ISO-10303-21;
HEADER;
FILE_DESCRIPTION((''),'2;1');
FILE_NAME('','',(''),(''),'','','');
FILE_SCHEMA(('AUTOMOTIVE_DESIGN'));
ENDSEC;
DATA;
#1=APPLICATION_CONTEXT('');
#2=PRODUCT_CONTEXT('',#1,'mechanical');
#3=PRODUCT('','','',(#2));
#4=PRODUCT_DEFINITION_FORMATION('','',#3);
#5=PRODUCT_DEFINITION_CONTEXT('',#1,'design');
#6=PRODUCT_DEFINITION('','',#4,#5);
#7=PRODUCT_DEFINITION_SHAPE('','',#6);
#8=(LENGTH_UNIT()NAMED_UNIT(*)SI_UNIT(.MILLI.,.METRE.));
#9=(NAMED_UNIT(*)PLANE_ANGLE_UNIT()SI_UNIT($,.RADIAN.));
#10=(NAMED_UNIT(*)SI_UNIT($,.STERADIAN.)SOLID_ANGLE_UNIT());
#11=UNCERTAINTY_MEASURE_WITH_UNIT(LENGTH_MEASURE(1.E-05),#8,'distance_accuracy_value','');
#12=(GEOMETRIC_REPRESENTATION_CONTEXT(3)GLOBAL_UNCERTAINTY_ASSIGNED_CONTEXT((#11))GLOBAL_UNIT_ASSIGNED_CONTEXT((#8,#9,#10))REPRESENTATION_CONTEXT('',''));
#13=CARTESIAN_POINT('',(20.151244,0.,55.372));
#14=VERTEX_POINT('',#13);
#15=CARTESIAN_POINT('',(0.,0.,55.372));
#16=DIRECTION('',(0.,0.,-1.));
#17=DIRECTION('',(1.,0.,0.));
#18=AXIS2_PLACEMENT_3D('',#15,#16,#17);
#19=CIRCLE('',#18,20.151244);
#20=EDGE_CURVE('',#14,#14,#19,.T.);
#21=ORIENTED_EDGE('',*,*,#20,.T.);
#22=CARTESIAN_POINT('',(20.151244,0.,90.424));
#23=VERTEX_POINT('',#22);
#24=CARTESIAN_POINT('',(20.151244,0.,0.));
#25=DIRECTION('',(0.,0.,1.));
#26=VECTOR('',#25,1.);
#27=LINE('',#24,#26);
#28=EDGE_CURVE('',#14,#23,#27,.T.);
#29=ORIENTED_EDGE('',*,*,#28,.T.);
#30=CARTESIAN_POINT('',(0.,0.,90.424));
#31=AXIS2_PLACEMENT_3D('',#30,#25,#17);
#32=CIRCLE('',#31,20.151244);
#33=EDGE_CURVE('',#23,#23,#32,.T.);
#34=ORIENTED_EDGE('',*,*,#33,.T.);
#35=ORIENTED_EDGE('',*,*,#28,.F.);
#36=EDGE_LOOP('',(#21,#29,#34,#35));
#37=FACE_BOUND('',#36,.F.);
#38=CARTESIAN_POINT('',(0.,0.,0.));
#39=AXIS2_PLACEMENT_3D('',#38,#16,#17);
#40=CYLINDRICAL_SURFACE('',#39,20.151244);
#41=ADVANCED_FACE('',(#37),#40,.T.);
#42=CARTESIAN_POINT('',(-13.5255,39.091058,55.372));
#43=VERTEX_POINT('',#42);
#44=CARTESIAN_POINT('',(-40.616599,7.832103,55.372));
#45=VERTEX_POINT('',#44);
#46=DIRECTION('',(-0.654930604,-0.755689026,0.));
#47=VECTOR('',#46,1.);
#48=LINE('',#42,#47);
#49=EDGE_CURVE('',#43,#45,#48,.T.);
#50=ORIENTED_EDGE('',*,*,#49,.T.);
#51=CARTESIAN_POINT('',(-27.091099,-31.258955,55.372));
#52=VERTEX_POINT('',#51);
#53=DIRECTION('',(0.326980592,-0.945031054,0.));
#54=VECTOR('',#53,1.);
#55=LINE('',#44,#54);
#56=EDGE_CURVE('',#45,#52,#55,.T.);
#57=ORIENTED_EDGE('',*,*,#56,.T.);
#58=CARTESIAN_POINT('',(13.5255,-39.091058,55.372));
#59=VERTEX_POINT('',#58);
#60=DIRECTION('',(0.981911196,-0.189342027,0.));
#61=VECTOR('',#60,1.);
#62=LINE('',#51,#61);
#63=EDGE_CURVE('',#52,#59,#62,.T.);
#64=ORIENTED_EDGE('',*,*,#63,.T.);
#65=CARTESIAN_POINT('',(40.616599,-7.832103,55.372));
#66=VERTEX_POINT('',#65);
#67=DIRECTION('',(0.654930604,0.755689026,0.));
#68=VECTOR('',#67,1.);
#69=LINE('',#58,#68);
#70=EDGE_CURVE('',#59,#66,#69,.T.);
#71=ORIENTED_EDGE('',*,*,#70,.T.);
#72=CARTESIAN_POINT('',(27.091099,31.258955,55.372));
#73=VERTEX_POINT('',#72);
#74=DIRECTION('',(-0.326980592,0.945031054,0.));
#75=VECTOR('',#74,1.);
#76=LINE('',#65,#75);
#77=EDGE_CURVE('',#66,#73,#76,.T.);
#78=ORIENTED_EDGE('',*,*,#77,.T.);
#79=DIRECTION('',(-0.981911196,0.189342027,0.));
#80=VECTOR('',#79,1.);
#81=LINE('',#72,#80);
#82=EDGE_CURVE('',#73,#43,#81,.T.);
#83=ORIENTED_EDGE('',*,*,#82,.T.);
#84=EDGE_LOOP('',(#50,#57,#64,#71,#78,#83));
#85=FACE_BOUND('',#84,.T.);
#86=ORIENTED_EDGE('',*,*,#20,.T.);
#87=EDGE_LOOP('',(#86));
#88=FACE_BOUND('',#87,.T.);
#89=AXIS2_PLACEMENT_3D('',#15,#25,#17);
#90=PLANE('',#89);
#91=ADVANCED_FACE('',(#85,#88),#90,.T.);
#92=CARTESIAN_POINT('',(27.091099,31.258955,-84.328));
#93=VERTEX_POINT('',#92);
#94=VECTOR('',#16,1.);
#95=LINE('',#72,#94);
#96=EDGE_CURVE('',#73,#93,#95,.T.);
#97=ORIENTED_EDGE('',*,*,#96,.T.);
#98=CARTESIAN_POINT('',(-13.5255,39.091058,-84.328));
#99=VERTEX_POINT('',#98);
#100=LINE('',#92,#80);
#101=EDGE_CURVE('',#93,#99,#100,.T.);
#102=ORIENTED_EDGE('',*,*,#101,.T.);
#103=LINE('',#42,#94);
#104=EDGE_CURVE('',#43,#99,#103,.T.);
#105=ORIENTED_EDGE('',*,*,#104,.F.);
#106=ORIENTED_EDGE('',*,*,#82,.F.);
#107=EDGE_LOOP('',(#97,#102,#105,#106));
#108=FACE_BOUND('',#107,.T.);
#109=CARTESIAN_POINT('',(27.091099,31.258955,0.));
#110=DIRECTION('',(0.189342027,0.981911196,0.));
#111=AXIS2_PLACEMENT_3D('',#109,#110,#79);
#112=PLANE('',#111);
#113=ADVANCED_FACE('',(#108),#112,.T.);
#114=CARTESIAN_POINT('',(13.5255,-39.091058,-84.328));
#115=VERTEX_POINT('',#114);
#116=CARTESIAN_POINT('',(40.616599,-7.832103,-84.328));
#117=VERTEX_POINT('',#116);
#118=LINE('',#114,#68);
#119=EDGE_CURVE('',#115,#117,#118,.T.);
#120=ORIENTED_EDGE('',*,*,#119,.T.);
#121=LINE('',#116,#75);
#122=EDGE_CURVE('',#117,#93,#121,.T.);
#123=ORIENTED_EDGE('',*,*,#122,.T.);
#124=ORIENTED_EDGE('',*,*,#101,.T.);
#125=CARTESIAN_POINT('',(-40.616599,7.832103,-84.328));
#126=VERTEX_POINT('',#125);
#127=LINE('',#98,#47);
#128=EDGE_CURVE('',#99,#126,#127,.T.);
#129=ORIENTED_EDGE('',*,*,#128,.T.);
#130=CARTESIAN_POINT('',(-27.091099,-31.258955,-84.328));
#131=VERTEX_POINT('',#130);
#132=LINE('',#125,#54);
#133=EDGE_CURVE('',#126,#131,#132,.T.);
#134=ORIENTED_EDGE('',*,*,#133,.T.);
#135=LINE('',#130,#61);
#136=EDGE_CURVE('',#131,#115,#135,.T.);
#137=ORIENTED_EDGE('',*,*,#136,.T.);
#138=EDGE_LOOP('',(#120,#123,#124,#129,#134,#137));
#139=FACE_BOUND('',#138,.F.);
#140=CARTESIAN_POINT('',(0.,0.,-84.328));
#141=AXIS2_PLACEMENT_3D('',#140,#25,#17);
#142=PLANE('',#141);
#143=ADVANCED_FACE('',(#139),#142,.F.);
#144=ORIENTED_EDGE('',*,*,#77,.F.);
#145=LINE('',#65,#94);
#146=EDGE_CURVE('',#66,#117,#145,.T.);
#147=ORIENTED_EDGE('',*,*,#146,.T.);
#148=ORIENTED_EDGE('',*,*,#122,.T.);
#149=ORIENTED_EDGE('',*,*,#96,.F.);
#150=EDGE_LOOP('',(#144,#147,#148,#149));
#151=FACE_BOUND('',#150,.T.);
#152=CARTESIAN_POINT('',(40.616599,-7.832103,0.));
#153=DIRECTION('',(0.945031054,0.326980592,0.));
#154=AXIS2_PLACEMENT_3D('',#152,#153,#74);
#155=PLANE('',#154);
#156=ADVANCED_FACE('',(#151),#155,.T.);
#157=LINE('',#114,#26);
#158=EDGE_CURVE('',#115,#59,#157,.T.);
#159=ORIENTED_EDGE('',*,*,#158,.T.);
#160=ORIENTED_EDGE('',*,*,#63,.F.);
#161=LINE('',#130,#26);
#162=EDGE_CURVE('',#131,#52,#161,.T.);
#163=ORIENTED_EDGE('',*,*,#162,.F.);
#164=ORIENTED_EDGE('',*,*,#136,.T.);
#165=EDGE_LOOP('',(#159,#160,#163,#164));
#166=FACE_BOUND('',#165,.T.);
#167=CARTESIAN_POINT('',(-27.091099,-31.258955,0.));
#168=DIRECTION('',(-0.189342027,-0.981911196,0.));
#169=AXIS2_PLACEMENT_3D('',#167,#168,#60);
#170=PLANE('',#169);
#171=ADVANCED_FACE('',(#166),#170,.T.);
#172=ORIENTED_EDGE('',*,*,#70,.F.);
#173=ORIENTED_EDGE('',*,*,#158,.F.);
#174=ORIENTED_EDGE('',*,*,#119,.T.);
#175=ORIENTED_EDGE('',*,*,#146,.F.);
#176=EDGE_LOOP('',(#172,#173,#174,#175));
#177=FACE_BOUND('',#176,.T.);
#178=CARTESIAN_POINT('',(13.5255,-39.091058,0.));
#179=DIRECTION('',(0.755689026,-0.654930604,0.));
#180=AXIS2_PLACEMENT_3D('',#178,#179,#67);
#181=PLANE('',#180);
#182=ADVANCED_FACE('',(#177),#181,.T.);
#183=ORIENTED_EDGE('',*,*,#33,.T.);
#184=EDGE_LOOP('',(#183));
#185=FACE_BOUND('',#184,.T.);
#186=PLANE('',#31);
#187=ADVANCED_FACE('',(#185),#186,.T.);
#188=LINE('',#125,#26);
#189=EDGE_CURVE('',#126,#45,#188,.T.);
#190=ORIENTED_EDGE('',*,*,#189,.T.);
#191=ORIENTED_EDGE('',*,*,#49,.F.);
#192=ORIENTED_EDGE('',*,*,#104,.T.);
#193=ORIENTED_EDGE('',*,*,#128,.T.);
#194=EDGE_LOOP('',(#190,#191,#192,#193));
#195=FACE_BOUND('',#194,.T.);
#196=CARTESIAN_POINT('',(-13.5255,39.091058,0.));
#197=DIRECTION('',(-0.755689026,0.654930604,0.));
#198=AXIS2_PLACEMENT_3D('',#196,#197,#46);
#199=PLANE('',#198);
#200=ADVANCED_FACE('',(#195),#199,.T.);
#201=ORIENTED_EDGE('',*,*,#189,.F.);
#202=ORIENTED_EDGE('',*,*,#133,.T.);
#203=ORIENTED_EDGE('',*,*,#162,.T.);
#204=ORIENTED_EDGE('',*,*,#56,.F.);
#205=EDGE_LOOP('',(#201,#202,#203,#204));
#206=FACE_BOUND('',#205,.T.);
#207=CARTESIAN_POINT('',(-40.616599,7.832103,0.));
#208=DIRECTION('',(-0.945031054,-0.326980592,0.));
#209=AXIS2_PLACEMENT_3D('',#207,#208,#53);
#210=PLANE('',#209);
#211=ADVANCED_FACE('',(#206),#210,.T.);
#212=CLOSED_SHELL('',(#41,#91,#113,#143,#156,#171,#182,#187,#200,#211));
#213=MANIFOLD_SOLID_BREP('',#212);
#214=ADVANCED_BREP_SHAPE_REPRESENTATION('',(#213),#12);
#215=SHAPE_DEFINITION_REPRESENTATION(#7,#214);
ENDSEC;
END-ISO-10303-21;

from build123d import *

# Parameters (mm, degrees)
F0_R     = 26.8270894081
F1_DEPTH = 55.372
F2_R     = 20.1512437213
F3_DEPTH = 90.424
F4_DEPTH = 84.328


with BuildPart() as f1:
    # F0 (on Top) → F1 (new body)
    with BuildSketch(Plane.XY):
        Polygon((-13.5254997487, 39.0910579561), (-40.6165991252, 7.8321025968), (-27.0910993765, -31.2589553593), (13.5254997487, -39.0910579561), (40.6165991252, -7.8321025968), (27.0910993765, 31.2589553593), align=None)
        Circle(F0_R, mode=Mode.SUBTRACT)
        Circle(F0_R)
    extrude(amount=F1_DEPTH)

    # F2 (on Top) → F3 (join)
    with BuildSketch(Plane.XY):
        Circle(F2_R)
    extrude(amount=F3_DEPTH)

    # F4 (add): a face of the model
    f4_faces = [f1.faces().sort_by_distance(p)[0] for p in [
        (0, 0, 0),
    ]]
    extrude(f4_faces, amount=F4_DEPTH)


solid = f1.part
